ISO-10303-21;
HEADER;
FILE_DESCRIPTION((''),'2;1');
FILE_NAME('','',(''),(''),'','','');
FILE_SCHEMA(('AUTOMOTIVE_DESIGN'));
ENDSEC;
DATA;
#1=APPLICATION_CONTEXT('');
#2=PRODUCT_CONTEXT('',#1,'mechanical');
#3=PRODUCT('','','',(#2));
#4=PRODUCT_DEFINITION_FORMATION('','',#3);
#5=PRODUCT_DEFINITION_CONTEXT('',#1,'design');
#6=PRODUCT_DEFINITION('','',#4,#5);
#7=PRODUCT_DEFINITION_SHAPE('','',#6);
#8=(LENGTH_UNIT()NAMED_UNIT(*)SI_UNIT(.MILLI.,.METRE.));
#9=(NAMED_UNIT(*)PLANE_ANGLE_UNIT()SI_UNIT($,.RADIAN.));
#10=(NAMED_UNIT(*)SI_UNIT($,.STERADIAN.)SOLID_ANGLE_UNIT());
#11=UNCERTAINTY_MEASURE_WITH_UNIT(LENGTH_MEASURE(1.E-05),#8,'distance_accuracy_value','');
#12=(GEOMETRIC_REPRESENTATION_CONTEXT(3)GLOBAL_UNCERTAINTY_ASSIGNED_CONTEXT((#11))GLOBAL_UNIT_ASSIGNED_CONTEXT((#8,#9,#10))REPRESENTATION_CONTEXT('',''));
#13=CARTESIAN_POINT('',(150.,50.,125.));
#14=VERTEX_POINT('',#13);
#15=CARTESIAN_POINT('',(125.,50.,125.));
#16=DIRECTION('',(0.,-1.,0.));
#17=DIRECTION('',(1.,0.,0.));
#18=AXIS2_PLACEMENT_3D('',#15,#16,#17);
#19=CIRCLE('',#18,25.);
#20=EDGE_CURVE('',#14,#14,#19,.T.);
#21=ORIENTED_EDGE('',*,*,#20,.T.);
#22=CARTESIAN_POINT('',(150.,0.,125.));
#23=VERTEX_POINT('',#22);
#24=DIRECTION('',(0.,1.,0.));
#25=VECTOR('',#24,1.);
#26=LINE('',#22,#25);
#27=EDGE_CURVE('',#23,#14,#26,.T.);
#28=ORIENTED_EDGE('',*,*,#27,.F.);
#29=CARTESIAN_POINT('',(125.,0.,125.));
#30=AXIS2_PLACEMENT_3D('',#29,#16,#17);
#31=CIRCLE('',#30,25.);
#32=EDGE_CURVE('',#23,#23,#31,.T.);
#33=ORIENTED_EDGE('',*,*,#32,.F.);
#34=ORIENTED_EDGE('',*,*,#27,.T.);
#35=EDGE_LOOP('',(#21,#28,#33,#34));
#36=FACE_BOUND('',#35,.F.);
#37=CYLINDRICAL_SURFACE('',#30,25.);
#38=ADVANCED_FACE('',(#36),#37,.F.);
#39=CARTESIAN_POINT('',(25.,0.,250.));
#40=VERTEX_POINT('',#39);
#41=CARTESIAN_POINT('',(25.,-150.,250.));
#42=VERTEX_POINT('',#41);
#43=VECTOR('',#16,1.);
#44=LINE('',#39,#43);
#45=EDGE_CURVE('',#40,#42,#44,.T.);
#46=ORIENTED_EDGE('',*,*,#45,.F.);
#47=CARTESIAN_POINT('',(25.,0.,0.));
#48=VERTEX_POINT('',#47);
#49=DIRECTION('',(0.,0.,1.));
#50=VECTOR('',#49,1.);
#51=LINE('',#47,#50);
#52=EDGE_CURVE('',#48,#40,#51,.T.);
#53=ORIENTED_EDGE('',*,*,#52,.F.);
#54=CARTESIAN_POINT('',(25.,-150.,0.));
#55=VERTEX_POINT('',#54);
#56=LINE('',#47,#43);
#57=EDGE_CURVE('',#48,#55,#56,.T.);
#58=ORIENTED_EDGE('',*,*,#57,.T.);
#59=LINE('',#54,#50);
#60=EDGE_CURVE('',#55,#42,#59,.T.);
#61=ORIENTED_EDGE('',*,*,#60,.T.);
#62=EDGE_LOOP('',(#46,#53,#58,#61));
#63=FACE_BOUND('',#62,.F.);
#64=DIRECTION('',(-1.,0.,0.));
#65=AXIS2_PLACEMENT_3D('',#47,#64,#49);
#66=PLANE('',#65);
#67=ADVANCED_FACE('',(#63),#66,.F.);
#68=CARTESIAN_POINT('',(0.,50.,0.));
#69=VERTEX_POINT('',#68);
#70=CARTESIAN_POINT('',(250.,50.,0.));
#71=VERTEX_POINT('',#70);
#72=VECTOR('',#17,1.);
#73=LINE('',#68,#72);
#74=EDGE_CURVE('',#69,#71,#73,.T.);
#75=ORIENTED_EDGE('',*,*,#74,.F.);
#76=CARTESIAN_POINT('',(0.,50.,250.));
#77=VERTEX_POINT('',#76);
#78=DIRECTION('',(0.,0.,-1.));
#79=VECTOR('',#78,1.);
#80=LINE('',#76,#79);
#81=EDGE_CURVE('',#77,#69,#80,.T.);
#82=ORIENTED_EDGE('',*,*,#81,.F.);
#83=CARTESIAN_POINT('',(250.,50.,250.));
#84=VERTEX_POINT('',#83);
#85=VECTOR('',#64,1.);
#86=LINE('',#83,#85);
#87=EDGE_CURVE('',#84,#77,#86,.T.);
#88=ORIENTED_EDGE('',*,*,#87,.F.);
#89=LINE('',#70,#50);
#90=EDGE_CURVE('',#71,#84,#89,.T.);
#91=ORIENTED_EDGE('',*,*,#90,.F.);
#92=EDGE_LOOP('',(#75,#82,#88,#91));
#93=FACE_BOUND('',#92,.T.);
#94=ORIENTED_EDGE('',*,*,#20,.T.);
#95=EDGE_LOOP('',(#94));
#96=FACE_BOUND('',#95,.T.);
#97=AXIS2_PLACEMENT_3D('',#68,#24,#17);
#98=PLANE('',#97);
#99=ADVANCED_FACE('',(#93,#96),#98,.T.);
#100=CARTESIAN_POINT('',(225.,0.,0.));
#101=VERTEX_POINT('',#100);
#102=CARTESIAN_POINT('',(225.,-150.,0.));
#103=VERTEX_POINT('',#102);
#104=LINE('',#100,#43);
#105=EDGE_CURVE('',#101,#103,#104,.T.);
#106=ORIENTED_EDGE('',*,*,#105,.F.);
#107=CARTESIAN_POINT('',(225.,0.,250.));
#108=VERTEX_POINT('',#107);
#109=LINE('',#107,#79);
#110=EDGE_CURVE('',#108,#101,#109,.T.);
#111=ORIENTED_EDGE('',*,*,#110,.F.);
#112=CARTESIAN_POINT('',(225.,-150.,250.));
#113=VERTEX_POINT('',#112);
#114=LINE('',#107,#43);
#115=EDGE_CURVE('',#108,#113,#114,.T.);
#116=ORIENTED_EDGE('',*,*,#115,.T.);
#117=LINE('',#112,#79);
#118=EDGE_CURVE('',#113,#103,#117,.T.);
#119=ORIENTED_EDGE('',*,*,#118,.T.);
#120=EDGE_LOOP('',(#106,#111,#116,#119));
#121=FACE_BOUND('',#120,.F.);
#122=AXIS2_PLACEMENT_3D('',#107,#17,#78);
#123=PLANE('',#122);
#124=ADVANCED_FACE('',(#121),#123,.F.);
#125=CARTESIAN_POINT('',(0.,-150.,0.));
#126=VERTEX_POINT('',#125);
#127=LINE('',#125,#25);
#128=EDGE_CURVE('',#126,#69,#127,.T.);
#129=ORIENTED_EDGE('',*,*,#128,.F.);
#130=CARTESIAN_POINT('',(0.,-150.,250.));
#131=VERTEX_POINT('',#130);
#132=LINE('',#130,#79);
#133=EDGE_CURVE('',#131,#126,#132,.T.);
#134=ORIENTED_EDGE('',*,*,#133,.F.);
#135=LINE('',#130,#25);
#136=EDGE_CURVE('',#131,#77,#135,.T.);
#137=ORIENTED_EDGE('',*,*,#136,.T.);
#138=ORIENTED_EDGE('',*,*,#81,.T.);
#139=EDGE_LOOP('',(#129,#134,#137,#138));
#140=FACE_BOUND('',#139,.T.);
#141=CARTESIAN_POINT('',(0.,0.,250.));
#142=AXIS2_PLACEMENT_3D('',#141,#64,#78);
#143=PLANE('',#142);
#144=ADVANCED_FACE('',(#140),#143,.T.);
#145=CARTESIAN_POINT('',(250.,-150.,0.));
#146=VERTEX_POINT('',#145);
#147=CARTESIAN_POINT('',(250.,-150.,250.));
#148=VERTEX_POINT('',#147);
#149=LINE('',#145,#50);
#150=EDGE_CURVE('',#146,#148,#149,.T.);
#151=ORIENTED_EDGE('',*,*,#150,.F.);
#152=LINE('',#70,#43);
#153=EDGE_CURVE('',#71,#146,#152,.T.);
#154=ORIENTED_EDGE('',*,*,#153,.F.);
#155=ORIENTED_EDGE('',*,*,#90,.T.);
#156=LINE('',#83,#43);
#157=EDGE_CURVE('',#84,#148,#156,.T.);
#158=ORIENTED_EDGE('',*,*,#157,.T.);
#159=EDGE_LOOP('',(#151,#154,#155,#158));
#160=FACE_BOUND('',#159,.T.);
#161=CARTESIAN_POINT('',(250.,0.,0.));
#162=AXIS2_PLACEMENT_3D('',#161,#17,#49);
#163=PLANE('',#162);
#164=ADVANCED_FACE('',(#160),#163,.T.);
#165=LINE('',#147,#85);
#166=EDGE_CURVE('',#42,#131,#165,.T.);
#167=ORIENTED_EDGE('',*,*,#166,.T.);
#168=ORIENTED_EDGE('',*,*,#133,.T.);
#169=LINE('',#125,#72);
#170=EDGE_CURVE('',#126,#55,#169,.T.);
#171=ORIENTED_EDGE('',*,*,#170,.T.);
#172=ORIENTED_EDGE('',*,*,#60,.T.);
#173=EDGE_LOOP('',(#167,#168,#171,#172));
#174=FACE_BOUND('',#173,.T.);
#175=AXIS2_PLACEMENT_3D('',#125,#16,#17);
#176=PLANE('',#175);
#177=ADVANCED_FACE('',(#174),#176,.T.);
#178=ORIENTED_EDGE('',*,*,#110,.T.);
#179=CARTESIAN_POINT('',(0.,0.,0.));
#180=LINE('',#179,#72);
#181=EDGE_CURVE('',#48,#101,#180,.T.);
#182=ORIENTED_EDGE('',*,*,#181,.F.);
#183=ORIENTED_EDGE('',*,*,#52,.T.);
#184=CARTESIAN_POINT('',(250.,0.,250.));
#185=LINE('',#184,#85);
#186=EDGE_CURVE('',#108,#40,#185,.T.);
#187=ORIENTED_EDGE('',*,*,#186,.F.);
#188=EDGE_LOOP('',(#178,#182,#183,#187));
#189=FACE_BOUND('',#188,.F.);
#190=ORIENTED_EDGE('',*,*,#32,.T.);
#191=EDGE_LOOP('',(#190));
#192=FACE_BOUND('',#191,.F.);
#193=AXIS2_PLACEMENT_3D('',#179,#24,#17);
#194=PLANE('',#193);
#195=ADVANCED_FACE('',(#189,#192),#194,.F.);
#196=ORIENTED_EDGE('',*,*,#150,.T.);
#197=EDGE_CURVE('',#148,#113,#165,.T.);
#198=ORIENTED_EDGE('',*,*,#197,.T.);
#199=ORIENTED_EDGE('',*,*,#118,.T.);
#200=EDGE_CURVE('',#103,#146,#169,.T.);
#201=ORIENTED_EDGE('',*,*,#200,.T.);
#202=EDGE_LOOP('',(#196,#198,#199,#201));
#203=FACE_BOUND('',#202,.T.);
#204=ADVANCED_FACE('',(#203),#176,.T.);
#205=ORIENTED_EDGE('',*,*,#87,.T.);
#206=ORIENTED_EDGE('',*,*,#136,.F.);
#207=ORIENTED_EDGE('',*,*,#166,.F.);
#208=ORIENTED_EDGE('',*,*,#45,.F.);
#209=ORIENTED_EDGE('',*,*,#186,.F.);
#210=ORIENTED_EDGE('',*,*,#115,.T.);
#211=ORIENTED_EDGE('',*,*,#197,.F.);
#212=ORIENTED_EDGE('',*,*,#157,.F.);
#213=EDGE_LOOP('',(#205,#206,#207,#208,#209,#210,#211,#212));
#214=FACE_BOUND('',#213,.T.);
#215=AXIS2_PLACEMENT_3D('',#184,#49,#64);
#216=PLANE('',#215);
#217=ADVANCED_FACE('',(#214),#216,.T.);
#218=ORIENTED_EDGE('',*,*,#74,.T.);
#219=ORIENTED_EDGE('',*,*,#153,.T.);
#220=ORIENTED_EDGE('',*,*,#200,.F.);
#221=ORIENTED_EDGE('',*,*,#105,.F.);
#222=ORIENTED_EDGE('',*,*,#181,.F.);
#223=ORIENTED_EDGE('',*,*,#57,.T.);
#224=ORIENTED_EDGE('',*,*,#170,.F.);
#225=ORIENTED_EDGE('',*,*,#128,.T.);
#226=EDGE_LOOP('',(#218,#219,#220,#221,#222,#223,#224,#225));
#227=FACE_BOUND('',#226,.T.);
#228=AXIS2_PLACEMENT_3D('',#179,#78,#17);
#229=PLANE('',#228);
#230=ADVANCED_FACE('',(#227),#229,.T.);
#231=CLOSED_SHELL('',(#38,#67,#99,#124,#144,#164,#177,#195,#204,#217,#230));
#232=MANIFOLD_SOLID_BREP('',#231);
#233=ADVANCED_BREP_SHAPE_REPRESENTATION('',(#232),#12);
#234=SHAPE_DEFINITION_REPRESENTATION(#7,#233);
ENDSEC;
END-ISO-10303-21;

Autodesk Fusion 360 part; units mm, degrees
sketch "Sketch1" plane through (0, 0, 0) normal (0, 1, 0) x (1, 0, 0)
  line L0 (0, 0) -> (100, 0)
  line L1 (100, 0) -> (100, -100)
  line L2 (100, -100) -> (0, -100)
  line L3 (0, -100) -> (0, 0)
  dimension "d1" = 100
  dimension "d2" = 100
extrude "Extrude1" add sketch "Sketch1" along normal blind 20
sketch "Sketch2" plane through (0, 0, 0) normal (0, -1, 0) x (1, 0, 0)
  line L0 (100, 100) -> (0, 100)
  line L1 (0, 100) -> (0, 0)
  line L2 (0, 0) -> (100, 0)
  line L3 (100, 0) -> (100, 100)
  line L4 (10, 100) -> (90, 100)
  line L5 (90, 100) -> (90, 0)
  line L6 (90, 0) -> (10, 0)
  line L7 (10, 0) -> (10, 100)
  dimension "d5" = 10
  dimension "d6" = 80
extrude "Extrude2" add sketch "Sketch2" along normal blind 60 contours L0 L2 L3 L5 | L0 L1 L2 L7
sketch "Sketch3" plane through (0, 0, 0) normal (0, -1, 0) x (1, 0, 0)
  line L0 (10, 100) -> (10, 0)
  line L1 (10, 0) -> (90, 0)
  line L2 (90, 0) -> (90, 100)
  line L3 (90, 100) -> (10, 100)
  circle A0 centre (50, 50) radius 10
  dimension "d9" = 20
extrude "Extrude3" cut sketch "Sketch3" against normal blind 20 contours A0
scale "Scale1" factor 2.5 about (0, 0, 0) bodies 1
